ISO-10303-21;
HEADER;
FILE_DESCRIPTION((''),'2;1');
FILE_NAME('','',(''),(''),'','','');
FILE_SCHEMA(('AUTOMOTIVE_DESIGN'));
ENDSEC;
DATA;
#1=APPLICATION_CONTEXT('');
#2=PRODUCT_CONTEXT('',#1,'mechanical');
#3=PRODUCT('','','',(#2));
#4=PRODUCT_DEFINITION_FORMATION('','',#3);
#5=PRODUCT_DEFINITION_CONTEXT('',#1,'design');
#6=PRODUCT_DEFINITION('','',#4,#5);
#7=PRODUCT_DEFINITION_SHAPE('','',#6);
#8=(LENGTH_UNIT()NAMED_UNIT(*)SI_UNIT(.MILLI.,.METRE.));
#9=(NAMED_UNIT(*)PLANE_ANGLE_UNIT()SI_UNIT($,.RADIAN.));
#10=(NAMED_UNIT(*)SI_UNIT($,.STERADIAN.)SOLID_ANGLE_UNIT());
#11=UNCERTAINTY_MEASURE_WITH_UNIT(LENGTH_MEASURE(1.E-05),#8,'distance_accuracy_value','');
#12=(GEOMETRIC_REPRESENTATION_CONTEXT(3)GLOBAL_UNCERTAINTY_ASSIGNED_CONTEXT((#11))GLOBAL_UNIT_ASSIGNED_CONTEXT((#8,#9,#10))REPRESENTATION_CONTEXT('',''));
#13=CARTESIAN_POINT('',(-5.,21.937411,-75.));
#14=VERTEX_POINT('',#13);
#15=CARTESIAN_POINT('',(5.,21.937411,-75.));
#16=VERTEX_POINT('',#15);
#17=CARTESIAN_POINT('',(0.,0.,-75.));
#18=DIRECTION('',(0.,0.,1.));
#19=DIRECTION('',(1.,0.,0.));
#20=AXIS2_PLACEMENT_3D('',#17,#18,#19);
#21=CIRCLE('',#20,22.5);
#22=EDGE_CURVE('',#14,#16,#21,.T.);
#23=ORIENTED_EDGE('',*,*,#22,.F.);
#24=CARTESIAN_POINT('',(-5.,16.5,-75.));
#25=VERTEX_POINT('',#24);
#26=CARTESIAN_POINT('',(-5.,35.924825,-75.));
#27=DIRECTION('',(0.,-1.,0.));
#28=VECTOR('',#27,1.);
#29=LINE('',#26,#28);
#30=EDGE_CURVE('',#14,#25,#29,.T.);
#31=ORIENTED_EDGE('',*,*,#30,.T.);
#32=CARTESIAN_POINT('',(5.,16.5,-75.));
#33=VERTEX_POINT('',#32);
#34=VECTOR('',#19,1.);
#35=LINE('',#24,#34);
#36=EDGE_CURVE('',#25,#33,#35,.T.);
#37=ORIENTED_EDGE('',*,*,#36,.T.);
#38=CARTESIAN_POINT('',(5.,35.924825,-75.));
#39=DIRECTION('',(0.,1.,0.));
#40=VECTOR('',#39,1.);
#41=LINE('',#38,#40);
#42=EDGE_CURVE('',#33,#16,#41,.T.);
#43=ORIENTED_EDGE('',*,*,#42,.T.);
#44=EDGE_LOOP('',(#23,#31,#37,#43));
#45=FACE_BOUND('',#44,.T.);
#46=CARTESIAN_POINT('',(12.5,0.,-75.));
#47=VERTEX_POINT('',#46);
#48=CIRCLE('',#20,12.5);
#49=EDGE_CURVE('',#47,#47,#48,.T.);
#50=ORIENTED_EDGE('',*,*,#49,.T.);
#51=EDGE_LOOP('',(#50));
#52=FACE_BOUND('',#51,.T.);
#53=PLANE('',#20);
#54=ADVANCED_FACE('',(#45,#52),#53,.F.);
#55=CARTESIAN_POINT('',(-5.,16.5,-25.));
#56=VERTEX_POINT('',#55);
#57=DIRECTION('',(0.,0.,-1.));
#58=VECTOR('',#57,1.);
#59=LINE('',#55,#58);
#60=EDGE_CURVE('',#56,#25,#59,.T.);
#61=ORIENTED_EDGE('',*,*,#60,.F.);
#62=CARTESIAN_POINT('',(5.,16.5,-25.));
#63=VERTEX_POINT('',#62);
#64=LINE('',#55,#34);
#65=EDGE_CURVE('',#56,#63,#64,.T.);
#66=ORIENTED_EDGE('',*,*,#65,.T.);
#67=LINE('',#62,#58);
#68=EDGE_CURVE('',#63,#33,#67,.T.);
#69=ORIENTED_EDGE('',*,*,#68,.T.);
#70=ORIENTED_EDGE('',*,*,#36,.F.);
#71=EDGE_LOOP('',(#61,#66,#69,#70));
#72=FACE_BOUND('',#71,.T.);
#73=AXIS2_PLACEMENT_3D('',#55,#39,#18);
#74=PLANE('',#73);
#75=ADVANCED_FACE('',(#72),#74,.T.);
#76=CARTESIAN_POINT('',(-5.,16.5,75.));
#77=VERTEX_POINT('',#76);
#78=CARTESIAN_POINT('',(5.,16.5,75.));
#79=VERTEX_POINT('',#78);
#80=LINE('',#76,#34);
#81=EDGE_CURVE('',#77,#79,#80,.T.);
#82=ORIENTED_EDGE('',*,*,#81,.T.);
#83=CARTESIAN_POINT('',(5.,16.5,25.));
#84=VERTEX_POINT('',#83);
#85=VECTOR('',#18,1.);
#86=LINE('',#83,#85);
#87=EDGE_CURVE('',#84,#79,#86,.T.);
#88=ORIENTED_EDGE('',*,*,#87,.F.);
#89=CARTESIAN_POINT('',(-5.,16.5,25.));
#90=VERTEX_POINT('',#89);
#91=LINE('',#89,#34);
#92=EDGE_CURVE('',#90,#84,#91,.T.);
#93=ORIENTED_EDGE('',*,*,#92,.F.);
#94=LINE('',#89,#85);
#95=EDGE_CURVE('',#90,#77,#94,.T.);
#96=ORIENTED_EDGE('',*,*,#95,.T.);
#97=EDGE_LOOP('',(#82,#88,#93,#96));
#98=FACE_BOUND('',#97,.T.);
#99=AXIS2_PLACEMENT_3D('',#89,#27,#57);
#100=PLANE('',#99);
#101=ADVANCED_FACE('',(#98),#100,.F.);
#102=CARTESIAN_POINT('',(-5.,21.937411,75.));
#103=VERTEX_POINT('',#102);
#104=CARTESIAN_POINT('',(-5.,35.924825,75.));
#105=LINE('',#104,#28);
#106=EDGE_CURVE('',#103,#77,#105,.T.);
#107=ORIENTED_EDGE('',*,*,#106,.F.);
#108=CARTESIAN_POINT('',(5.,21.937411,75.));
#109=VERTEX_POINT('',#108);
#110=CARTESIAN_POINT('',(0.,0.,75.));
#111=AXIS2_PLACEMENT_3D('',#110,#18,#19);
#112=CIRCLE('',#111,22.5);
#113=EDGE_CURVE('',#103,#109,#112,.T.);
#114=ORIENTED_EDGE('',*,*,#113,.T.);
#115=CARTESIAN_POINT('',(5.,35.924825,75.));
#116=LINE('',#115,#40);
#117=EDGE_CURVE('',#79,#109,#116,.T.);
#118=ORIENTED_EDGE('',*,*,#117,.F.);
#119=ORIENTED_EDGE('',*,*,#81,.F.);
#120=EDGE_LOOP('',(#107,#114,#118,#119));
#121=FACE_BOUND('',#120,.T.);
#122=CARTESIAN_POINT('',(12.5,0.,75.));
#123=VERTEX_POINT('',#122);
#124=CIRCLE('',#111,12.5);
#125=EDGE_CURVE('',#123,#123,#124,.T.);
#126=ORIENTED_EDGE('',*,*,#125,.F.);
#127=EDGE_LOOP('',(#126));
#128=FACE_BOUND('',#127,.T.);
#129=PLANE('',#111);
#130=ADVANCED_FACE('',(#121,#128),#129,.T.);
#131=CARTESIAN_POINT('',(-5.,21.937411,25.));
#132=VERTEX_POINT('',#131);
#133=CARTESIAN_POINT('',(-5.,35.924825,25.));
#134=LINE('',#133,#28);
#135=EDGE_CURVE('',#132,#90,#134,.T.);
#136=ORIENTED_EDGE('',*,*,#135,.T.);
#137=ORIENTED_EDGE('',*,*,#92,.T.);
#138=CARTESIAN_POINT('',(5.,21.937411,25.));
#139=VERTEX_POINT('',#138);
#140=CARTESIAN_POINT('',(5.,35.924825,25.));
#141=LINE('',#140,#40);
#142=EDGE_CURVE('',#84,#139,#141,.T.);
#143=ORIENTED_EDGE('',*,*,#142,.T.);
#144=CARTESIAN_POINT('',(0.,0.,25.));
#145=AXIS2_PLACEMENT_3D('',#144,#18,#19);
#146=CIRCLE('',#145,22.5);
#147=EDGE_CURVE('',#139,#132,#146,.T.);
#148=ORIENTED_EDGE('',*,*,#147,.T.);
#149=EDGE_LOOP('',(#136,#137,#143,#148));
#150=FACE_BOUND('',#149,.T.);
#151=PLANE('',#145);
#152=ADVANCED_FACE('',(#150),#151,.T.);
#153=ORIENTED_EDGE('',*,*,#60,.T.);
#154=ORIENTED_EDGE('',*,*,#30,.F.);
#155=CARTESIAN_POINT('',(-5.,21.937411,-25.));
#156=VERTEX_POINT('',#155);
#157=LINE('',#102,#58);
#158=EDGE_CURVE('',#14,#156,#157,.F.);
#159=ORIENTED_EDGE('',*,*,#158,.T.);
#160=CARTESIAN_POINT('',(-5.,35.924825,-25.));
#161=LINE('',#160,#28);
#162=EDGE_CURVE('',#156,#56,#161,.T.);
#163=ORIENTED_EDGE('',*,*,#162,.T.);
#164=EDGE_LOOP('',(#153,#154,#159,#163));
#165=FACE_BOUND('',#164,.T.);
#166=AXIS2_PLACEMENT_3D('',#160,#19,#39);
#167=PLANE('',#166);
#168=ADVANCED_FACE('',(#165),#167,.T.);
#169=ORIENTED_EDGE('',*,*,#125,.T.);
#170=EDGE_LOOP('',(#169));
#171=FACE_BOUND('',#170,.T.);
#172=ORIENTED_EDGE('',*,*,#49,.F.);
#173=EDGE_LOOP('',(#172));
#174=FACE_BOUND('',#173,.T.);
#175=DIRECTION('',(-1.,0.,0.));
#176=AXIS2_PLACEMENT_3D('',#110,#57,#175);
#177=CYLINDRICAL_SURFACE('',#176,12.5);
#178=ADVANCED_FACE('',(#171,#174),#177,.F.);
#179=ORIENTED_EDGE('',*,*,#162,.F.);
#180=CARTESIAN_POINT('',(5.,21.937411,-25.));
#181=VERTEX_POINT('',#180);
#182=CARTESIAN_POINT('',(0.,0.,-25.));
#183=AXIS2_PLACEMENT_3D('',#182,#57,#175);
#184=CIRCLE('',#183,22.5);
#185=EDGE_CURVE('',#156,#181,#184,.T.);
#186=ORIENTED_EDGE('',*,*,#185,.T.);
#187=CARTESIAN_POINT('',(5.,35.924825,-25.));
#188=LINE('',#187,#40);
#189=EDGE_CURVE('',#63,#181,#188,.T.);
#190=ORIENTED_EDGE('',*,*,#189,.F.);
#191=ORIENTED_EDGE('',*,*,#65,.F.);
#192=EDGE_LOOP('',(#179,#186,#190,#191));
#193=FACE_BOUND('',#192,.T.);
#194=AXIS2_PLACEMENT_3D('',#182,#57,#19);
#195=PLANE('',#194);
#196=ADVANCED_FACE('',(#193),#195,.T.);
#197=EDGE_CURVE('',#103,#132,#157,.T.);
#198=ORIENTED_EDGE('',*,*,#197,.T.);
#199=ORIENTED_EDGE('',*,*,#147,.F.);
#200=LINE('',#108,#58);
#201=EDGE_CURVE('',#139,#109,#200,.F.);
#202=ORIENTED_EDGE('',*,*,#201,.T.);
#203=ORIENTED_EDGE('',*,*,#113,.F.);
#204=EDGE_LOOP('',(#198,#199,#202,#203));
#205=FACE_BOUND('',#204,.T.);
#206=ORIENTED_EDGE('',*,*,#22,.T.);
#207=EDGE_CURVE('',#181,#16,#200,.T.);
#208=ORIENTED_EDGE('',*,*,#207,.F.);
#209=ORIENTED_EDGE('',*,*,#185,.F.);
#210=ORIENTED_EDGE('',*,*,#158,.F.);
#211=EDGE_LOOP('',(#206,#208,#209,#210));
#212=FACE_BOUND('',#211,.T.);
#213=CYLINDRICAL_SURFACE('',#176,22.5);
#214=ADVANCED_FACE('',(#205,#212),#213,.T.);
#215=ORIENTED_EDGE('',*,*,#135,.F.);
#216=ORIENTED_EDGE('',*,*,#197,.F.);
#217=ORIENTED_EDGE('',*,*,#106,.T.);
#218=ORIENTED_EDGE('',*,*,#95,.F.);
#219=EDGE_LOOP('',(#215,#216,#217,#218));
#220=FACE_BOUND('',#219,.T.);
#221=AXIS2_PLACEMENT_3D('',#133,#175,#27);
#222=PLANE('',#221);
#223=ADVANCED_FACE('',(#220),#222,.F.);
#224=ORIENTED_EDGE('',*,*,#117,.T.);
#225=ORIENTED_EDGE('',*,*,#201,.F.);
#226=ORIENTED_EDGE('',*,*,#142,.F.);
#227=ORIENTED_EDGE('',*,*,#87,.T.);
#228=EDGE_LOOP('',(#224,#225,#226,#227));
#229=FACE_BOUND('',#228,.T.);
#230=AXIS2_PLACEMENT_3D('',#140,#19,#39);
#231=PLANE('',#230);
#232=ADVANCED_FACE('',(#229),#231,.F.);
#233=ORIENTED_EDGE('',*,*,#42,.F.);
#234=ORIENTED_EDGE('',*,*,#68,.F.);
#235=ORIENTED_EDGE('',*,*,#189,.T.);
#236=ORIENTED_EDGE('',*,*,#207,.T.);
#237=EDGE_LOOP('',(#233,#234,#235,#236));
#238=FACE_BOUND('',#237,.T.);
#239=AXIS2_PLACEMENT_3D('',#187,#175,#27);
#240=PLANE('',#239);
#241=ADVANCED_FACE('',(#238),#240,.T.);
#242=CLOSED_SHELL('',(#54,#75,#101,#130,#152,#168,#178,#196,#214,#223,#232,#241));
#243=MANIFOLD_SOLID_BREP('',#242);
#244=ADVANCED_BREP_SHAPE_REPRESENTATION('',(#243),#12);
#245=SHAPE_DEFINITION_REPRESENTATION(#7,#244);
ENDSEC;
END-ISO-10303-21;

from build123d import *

# Parameters (mm, degrees)
SKETCH1_R           = 22.5
SKETCH1_R_2         = 12.5
BOSS_EXTRUDE1_DEPTH = 75
SKETCH2_W           = 10
SKETCH2_H           = 19.424824541
CUT_EXTRUDE1_DEPTH  = 50


with BuildPart() as part:
    # Sketch1 → Boss-Extrude1 (new, symmetric)
    with BuildSketch(Plane.XY):
        Circle(SKETCH1_R)
        Circle(SKETCH1_R_2, mode=Mode.SUBTRACT)
    extrude(amount=BOSS_EXTRUDE1_DEPTH, both=True)

    # Sketch2 → Cut-Extrude1 (cut)
    with BuildSketch(Plane.XY.offset(75)):
        with Locations((0, 26.21241227)):
            Rectangle(SKETCH2_W, SKETCH2_H)
    cut_extrude1 = extrude(amount=-CUT_EXTRUDE1_DEPTH, mode=Mode.SUBTRACT)

    # Mirror1: Cut-Extrude1 across plane
    add(cut_extrude1.mirror(Plane.XY), mode=Mode.SUBTRACT)


solid = part.part
